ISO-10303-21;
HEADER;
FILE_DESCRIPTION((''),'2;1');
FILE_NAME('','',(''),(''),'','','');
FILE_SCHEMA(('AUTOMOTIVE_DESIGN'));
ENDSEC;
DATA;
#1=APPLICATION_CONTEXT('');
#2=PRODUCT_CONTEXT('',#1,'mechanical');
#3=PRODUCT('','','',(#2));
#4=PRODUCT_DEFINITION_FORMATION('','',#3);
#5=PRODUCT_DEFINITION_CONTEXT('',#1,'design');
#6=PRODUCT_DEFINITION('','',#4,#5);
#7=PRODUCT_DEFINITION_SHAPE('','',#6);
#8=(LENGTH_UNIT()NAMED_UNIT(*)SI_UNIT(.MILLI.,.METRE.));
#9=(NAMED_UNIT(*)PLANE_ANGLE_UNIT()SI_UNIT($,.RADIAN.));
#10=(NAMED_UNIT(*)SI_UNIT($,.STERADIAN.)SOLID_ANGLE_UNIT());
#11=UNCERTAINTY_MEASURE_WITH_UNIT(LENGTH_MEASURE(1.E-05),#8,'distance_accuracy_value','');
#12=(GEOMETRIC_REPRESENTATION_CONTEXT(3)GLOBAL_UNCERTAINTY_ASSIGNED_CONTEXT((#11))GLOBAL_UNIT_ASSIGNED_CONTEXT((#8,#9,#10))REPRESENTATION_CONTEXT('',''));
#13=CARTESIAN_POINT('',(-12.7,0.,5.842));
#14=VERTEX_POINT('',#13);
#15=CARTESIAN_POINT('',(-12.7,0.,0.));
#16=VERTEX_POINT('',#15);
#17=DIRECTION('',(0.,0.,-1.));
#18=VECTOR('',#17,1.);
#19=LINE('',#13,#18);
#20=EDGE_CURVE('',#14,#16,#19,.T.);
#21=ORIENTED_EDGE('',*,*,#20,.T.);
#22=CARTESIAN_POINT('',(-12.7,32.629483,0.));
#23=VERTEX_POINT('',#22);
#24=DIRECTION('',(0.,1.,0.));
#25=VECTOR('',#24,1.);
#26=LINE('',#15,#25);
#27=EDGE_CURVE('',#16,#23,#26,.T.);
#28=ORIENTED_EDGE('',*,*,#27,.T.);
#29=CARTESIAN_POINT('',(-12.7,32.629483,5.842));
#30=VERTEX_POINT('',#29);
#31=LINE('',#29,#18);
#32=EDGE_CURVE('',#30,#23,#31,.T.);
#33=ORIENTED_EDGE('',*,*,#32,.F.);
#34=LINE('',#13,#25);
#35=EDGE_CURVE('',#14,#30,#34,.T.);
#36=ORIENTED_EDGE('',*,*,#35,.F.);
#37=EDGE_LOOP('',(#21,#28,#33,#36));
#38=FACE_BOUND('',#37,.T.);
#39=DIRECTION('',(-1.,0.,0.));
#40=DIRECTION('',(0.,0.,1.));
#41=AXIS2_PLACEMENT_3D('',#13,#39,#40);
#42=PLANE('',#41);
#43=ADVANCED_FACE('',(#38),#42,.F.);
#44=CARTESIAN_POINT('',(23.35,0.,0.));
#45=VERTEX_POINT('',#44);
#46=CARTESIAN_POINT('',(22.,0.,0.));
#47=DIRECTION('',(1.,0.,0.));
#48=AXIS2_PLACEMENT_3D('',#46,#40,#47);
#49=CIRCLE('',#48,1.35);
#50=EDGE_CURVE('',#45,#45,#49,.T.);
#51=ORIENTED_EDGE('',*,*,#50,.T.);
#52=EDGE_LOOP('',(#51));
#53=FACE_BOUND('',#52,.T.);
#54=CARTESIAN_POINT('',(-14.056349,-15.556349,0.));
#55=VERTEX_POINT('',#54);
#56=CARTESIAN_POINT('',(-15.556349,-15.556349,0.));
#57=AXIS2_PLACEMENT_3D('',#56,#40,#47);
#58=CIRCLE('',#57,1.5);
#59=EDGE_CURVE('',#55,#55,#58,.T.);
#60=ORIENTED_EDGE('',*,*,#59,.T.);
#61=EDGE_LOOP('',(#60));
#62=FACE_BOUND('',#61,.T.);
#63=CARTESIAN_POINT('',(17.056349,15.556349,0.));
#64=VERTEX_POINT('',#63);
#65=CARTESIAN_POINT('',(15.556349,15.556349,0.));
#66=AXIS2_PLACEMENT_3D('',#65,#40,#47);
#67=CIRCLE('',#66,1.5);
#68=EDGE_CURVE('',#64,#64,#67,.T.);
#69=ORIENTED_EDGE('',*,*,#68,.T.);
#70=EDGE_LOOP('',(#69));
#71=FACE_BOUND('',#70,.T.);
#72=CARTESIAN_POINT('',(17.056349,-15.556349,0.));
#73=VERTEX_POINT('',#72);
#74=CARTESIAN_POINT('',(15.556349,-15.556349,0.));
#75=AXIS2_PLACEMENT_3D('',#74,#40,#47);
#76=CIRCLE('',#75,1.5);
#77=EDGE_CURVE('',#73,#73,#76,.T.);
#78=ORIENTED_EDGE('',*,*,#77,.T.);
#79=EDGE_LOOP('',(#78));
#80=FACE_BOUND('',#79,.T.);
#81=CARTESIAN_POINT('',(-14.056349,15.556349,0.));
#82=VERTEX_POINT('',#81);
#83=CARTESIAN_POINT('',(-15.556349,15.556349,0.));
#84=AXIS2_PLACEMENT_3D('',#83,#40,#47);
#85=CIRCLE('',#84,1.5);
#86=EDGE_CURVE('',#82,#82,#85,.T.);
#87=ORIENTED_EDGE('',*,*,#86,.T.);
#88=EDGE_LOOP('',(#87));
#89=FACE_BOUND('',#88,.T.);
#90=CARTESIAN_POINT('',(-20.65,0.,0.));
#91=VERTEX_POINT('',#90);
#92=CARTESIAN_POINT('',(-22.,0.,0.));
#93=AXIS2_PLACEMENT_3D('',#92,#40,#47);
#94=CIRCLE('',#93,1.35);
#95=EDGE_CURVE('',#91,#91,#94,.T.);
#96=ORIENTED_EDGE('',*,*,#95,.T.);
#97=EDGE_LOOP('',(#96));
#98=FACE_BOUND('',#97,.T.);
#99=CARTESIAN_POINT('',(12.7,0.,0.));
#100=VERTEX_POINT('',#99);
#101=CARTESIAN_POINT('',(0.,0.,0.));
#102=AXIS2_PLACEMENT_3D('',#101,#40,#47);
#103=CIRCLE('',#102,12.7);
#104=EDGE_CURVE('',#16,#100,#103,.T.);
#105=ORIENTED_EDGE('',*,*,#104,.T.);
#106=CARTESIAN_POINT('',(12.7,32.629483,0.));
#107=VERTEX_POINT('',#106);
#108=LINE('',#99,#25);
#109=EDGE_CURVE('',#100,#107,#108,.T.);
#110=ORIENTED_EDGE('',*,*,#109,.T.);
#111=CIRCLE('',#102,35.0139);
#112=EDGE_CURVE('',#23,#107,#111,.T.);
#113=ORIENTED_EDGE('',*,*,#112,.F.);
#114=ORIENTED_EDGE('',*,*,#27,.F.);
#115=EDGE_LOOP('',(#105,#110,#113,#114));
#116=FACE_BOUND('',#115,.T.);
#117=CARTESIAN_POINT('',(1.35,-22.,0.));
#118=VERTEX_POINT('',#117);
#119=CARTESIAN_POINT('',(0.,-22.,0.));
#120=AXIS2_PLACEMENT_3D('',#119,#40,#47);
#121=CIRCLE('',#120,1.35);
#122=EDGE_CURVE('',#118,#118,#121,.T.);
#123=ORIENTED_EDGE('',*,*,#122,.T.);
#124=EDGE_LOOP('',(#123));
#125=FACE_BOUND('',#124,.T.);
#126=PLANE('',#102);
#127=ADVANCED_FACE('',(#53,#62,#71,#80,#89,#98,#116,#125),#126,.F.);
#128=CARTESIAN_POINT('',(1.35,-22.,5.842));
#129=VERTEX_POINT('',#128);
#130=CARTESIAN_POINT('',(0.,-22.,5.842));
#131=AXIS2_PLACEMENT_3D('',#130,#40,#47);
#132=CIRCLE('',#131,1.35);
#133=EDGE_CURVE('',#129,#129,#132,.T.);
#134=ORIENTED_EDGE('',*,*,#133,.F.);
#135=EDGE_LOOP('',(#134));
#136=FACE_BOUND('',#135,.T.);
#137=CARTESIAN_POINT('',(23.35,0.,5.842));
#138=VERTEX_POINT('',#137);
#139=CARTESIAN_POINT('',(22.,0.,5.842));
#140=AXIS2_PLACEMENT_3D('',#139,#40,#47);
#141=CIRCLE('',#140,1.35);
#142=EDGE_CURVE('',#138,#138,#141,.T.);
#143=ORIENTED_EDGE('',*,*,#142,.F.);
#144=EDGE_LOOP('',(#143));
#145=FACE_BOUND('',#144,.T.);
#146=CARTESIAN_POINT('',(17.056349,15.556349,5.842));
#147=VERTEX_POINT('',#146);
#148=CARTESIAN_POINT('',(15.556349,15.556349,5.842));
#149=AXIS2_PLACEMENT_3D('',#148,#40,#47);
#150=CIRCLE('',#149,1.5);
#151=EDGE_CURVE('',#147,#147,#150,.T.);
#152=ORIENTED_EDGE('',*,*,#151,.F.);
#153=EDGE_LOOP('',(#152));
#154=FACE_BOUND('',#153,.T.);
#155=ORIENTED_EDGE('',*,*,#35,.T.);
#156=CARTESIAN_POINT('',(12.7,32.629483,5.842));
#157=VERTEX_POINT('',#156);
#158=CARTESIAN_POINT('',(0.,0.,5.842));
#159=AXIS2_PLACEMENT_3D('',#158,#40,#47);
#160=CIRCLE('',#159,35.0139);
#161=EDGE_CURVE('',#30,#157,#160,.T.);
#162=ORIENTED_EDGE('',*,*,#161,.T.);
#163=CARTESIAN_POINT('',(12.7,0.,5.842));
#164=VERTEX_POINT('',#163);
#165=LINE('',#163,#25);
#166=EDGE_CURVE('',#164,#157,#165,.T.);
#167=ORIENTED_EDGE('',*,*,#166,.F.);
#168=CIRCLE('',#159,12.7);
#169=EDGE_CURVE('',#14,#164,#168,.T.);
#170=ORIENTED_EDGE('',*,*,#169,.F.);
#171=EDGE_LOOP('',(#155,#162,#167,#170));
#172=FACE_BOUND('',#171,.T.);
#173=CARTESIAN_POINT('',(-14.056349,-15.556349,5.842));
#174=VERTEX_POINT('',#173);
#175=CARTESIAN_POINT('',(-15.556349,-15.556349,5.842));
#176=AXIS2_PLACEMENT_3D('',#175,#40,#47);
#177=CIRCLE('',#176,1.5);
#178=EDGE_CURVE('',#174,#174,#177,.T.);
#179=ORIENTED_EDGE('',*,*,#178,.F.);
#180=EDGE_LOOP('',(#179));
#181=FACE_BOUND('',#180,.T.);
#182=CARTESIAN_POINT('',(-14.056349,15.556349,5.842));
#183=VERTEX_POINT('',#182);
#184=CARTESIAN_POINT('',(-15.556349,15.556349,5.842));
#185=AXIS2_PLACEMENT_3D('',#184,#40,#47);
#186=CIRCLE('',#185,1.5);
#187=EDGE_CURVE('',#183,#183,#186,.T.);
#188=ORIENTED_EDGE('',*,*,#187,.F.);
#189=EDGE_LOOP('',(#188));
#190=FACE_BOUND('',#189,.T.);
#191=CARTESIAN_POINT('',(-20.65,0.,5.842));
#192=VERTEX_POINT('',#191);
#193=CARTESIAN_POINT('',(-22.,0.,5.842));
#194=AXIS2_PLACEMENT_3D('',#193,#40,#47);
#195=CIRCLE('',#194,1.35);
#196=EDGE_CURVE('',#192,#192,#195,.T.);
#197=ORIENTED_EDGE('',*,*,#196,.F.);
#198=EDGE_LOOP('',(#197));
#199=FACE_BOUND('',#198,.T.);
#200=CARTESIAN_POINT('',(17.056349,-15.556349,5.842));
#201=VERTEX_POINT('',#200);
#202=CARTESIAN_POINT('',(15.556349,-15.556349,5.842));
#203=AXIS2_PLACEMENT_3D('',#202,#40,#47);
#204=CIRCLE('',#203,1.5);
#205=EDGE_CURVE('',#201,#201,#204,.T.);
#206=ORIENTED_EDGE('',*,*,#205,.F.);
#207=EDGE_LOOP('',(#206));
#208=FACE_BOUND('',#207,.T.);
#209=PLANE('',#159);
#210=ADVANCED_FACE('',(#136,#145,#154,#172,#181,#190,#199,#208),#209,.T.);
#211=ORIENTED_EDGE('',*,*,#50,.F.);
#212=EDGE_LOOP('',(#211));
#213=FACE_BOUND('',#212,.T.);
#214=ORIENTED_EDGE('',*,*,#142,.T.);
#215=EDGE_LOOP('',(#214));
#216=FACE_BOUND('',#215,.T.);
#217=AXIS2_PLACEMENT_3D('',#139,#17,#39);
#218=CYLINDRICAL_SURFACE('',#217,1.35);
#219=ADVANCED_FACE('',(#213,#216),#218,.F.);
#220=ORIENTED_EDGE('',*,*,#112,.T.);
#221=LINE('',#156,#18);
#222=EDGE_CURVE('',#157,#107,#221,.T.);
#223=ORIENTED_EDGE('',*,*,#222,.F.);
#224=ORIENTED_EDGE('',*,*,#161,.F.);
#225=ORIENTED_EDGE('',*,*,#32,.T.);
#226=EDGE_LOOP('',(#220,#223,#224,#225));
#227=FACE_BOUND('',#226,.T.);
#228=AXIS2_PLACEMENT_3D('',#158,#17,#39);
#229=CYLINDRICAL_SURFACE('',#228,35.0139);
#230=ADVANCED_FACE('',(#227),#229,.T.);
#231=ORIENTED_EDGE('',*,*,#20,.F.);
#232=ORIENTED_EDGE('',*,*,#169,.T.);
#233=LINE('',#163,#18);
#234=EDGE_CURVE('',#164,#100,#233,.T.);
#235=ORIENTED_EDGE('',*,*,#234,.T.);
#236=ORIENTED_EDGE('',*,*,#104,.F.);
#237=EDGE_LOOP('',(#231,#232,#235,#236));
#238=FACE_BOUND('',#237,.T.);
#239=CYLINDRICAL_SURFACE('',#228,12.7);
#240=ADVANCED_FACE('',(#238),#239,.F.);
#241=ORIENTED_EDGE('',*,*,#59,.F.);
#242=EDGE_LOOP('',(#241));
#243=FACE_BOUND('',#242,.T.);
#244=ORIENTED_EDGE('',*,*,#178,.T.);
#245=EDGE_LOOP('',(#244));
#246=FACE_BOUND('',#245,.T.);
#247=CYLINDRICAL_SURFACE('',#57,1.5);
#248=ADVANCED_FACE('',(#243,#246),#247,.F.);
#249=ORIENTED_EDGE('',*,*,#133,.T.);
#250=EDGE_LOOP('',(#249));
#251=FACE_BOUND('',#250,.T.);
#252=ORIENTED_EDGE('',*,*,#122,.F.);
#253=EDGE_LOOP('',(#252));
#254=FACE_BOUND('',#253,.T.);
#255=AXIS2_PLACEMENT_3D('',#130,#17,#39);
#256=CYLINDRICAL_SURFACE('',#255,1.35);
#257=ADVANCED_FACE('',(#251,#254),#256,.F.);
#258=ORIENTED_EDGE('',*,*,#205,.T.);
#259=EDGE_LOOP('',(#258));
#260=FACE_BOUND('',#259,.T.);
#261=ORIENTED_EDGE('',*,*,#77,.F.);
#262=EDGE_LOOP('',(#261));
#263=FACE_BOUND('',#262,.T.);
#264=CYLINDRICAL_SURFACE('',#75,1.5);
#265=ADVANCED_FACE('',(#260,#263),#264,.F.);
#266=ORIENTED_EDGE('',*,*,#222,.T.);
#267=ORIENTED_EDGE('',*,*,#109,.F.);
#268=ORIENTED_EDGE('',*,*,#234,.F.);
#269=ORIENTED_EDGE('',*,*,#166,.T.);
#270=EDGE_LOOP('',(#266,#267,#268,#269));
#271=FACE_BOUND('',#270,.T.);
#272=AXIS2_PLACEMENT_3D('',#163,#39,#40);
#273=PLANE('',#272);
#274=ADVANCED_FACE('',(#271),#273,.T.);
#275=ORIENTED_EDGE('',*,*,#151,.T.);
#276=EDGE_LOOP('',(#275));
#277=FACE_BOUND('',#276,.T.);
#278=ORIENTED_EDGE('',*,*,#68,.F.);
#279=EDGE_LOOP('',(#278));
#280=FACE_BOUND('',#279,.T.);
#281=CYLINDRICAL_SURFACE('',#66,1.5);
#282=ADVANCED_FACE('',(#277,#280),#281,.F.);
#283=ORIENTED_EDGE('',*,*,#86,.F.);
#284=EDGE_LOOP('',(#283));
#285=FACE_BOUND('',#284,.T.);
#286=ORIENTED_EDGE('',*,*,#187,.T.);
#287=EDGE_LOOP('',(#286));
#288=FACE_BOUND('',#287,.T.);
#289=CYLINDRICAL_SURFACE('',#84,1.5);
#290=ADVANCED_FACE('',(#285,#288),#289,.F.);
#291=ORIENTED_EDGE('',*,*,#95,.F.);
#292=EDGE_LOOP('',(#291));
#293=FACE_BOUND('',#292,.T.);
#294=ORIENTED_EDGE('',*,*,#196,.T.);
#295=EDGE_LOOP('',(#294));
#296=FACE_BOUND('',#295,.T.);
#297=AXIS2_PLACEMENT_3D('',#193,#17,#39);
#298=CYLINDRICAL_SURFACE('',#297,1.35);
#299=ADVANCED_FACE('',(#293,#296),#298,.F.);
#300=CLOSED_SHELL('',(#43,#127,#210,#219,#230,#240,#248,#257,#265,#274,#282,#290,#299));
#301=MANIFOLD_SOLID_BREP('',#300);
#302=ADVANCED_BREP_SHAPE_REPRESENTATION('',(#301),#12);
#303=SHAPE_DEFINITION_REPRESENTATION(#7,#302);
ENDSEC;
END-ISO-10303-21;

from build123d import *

# Parameters (mm, degrees)
SKETCH1_R           = 1.35
BOSS_EXTRUDE1_DEPTH = 5.842
SKETCH2_R           = 1.5
CUT_EXTRUDE1_DEPTH  = 50.860559066


with BuildPart() as part:
    # Sketch1 → Boss-Extrude1 (new body)
    with BuildSketch(Plane.XY):
        with BuildLine():
            Line((-12.7, 0), (-12.7, 32.629483496))
            ThreePointArc((-12.7, 32.629483496), (0, -35.0139), (12.7, 32.629483496))
            Line((12.7, 32.629483496), (12.7, 0))
            ThreePointArc((12.7, 0), (0, -12.7), (-12.7, 0))
        make_face()
        with Locations((22, 0)):
            Circle(SKETCH1_R, mode=Mode.SUBTRACT)
        with Locations((0, -22)):
            Circle(SKETCH1_R, mode=Mode.SUBTRACT)
        with Locations((-22, 0)):
            Circle(SKETCH1_R, mode=Mode.SUBTRACT)
    extrude(amount=BOSS_EXTRUDE1_DEPTH)

    # Sketch2 → Cut-Extrude1 (cut, through all)
    with BuildSketch(Plane.XY.offset(5.842)):
        with Locations((-15.556349186, -15.556349186)):
            Circle(SKETCH2_R)
        with Locations((-15.556349186, 15.556349186)):
            Circle(SKETCH2_R)
        with Locations((15.556349186, 15.556349186)):
            Circle(SKETCH2_R)
        with Locations((15.556349186, -15.556349186)):
            Circle(SKETCH2_R)
    extrude(amount=-CUT_EXTRUDE1_DEPTH, mode=Mode.SUBTRACT)


solid = part.part
